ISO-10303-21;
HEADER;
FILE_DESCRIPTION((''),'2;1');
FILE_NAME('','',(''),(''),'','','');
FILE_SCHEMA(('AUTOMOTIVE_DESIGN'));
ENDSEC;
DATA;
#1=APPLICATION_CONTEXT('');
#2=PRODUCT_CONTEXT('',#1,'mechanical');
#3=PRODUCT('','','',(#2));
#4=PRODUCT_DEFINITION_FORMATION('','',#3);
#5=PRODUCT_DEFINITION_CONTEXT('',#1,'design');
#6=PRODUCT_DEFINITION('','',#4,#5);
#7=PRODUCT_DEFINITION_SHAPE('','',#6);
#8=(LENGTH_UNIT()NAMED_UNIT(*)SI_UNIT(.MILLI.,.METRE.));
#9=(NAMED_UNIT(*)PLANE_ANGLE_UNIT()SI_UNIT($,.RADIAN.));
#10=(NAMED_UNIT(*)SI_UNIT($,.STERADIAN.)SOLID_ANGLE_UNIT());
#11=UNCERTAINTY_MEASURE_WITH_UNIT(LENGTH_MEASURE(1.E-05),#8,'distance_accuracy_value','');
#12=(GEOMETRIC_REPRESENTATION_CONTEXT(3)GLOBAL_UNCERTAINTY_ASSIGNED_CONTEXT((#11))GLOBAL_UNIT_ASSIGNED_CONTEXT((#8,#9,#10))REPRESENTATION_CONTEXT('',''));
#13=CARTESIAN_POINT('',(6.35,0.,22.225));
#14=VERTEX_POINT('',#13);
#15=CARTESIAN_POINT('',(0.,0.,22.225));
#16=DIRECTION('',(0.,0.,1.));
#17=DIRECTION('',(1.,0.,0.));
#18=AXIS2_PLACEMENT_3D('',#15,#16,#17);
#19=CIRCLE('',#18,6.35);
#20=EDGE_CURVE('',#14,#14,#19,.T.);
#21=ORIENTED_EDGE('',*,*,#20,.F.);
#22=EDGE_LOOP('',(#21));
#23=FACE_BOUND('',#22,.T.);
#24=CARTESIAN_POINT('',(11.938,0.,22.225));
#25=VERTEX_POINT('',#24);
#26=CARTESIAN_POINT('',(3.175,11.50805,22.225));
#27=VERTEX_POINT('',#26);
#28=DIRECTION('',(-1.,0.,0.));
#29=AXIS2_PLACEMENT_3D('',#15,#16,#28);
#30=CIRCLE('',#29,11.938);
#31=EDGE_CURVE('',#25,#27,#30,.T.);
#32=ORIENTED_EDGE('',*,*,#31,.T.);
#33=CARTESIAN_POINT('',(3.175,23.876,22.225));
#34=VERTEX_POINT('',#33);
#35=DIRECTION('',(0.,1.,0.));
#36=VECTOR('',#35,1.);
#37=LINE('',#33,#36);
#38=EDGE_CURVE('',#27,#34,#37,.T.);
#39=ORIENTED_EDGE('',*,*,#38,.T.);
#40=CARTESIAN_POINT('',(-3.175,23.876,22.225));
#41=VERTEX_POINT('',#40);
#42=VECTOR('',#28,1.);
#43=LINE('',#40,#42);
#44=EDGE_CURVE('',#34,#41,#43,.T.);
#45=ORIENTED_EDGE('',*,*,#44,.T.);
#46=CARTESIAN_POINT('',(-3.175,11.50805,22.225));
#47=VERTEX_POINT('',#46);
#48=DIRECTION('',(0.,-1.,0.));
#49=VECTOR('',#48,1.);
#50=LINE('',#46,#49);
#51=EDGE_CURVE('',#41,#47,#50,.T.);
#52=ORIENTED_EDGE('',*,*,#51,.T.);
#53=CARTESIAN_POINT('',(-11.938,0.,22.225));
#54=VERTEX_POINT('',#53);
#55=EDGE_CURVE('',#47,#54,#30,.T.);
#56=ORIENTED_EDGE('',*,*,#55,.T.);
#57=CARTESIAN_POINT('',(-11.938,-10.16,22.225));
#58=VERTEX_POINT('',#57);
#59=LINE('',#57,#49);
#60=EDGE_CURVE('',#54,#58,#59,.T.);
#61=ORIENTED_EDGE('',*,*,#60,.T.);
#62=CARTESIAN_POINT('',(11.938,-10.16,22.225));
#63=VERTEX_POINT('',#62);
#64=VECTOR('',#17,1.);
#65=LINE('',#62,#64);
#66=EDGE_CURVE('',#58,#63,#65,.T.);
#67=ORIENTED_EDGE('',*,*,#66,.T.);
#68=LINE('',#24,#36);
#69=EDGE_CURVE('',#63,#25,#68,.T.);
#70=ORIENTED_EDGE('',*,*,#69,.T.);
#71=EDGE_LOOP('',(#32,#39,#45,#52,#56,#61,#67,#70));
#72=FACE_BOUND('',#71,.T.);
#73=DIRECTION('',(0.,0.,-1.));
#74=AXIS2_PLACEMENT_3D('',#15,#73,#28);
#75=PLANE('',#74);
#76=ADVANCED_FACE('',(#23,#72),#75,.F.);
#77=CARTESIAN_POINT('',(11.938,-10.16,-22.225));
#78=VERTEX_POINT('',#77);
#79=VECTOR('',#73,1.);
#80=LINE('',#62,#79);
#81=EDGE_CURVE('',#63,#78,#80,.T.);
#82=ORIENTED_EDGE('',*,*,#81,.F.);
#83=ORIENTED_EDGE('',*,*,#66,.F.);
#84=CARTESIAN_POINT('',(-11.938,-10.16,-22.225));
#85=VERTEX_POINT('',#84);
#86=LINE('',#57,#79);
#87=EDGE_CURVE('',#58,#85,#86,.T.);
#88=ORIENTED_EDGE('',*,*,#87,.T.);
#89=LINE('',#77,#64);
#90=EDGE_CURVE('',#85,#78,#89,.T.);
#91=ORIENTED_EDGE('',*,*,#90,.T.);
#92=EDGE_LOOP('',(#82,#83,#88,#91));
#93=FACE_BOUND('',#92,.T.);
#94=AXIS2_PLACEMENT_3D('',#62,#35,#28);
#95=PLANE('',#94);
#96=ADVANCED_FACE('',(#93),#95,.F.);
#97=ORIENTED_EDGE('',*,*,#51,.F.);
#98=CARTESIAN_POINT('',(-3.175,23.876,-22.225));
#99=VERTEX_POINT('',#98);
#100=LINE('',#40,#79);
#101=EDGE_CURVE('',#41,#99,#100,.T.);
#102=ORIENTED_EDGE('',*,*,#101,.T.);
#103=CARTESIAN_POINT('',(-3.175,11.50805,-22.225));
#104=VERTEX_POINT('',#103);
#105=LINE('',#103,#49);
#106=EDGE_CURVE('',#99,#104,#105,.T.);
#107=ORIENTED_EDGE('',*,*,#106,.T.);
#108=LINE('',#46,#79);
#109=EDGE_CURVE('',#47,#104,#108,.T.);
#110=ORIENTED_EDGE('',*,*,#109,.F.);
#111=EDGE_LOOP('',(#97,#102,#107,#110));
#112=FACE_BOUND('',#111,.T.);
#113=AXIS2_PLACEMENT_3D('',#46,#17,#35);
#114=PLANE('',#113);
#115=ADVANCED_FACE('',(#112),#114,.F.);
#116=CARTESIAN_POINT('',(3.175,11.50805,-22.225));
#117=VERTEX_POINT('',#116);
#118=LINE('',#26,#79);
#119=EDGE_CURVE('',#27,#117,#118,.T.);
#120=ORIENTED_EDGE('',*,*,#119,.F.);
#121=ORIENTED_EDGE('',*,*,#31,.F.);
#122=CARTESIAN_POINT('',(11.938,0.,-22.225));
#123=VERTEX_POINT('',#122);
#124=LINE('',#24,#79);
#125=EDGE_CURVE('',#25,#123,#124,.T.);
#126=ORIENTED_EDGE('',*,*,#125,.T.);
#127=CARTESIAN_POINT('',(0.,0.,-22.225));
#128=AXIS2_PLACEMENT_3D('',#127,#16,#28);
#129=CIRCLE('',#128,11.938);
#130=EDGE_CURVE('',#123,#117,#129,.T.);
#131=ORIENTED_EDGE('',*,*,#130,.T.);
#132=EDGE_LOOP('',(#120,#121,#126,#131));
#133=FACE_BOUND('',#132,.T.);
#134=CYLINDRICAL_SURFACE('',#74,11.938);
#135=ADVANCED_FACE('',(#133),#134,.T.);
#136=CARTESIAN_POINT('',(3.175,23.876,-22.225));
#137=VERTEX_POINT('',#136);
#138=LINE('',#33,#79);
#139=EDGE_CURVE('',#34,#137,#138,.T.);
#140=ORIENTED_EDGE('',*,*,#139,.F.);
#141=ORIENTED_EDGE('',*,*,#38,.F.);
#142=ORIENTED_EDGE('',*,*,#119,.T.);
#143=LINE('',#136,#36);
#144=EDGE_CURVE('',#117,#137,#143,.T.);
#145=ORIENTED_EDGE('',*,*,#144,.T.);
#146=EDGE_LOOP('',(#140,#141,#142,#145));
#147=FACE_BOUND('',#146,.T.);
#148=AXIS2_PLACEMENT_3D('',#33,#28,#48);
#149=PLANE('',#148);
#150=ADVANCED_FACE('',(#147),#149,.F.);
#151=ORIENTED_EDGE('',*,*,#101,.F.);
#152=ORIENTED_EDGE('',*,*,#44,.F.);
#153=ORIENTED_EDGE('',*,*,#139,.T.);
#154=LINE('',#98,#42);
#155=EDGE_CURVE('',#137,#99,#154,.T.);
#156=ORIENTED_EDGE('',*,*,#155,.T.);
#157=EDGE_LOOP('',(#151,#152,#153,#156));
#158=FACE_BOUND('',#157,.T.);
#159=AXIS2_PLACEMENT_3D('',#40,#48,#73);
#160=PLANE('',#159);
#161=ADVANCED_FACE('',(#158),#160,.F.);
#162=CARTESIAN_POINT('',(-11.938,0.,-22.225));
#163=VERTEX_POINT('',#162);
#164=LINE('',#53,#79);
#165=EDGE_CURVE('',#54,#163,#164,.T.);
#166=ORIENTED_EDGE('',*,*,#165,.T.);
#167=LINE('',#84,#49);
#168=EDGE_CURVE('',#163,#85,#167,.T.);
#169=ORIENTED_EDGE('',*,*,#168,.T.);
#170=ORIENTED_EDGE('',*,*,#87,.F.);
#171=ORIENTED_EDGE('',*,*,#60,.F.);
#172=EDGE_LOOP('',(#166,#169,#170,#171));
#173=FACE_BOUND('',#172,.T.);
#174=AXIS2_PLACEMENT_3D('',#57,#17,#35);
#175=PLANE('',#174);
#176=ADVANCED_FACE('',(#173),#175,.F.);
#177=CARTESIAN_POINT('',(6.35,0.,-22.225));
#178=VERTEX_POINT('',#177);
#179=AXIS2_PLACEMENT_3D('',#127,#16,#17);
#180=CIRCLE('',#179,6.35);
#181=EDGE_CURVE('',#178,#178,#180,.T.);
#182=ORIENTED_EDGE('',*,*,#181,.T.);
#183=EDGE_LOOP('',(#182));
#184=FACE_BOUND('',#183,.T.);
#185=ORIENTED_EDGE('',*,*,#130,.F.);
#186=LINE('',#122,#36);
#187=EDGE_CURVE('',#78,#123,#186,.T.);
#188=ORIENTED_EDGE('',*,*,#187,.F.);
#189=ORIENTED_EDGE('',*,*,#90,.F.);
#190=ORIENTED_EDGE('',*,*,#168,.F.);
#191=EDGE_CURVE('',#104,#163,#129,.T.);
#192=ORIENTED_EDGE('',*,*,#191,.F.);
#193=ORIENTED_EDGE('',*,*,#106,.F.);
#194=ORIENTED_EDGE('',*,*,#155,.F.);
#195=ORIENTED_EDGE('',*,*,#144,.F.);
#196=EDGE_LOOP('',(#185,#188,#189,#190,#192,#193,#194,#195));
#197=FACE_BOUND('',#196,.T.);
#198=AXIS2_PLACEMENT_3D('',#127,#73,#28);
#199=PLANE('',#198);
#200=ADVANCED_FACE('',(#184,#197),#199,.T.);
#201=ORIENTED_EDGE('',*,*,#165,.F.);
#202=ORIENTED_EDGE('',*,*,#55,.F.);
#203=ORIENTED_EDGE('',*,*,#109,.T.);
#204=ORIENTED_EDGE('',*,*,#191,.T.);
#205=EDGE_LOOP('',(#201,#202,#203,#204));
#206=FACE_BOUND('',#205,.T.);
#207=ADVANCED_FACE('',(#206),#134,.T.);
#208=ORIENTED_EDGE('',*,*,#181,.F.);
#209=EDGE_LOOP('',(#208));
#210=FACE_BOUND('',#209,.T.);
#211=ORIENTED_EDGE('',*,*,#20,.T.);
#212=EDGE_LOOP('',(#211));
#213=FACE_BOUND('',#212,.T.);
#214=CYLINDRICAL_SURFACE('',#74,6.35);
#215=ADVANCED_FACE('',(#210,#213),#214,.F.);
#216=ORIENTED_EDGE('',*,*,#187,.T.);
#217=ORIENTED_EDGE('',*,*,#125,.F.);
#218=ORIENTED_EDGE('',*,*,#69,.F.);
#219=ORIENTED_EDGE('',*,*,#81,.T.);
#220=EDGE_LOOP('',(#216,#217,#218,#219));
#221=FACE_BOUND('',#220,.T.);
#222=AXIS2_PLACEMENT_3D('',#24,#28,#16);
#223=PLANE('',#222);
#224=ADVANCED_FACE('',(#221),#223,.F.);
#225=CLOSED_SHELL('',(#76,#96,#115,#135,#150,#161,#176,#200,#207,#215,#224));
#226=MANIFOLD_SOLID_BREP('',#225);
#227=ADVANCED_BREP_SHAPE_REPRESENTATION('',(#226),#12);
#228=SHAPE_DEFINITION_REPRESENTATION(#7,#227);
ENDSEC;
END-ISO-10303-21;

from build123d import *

# Parameters (mm, degrees)
SKETCH1_R           = 6.35
BOSS_EXTRUDE1_DEPTH = 22.225


with BuildPart() as part:
    # Sketch1 → Boss-Extrude1 (new, symmetric)
    with BuildSketch(Plane.XY):
        with BuildLine():
            Line((11.938, -10.16), (-11.938, -10.16))
            Line((-11.938, -10.16), (-11.938, 0))
            ThreePointArc((-11.938, 0), (-9.497868024, 7.232312701), (-3.175, 11.508050182))
            Line((-3.175, 11.508050182), (-3.175, 23.876))
            Line((-3.175, 23.876), (3.175, 23.876))
            Line((3.175, 23.876), (3.175, 11.508050182))
            ThreePointArc((3.175, 11.508050182), (9.497868024, 7.232312701), (11.938, 0))
            Line((11.938, 0), (11.938, -10.16))
        make_face()
        Circle(SKETCH1_R, mode=Mode.SUBTRACT)
    extrude(amount=BOSS_EXTRUDE1_DEPTH, both=True)


solid = part.part
